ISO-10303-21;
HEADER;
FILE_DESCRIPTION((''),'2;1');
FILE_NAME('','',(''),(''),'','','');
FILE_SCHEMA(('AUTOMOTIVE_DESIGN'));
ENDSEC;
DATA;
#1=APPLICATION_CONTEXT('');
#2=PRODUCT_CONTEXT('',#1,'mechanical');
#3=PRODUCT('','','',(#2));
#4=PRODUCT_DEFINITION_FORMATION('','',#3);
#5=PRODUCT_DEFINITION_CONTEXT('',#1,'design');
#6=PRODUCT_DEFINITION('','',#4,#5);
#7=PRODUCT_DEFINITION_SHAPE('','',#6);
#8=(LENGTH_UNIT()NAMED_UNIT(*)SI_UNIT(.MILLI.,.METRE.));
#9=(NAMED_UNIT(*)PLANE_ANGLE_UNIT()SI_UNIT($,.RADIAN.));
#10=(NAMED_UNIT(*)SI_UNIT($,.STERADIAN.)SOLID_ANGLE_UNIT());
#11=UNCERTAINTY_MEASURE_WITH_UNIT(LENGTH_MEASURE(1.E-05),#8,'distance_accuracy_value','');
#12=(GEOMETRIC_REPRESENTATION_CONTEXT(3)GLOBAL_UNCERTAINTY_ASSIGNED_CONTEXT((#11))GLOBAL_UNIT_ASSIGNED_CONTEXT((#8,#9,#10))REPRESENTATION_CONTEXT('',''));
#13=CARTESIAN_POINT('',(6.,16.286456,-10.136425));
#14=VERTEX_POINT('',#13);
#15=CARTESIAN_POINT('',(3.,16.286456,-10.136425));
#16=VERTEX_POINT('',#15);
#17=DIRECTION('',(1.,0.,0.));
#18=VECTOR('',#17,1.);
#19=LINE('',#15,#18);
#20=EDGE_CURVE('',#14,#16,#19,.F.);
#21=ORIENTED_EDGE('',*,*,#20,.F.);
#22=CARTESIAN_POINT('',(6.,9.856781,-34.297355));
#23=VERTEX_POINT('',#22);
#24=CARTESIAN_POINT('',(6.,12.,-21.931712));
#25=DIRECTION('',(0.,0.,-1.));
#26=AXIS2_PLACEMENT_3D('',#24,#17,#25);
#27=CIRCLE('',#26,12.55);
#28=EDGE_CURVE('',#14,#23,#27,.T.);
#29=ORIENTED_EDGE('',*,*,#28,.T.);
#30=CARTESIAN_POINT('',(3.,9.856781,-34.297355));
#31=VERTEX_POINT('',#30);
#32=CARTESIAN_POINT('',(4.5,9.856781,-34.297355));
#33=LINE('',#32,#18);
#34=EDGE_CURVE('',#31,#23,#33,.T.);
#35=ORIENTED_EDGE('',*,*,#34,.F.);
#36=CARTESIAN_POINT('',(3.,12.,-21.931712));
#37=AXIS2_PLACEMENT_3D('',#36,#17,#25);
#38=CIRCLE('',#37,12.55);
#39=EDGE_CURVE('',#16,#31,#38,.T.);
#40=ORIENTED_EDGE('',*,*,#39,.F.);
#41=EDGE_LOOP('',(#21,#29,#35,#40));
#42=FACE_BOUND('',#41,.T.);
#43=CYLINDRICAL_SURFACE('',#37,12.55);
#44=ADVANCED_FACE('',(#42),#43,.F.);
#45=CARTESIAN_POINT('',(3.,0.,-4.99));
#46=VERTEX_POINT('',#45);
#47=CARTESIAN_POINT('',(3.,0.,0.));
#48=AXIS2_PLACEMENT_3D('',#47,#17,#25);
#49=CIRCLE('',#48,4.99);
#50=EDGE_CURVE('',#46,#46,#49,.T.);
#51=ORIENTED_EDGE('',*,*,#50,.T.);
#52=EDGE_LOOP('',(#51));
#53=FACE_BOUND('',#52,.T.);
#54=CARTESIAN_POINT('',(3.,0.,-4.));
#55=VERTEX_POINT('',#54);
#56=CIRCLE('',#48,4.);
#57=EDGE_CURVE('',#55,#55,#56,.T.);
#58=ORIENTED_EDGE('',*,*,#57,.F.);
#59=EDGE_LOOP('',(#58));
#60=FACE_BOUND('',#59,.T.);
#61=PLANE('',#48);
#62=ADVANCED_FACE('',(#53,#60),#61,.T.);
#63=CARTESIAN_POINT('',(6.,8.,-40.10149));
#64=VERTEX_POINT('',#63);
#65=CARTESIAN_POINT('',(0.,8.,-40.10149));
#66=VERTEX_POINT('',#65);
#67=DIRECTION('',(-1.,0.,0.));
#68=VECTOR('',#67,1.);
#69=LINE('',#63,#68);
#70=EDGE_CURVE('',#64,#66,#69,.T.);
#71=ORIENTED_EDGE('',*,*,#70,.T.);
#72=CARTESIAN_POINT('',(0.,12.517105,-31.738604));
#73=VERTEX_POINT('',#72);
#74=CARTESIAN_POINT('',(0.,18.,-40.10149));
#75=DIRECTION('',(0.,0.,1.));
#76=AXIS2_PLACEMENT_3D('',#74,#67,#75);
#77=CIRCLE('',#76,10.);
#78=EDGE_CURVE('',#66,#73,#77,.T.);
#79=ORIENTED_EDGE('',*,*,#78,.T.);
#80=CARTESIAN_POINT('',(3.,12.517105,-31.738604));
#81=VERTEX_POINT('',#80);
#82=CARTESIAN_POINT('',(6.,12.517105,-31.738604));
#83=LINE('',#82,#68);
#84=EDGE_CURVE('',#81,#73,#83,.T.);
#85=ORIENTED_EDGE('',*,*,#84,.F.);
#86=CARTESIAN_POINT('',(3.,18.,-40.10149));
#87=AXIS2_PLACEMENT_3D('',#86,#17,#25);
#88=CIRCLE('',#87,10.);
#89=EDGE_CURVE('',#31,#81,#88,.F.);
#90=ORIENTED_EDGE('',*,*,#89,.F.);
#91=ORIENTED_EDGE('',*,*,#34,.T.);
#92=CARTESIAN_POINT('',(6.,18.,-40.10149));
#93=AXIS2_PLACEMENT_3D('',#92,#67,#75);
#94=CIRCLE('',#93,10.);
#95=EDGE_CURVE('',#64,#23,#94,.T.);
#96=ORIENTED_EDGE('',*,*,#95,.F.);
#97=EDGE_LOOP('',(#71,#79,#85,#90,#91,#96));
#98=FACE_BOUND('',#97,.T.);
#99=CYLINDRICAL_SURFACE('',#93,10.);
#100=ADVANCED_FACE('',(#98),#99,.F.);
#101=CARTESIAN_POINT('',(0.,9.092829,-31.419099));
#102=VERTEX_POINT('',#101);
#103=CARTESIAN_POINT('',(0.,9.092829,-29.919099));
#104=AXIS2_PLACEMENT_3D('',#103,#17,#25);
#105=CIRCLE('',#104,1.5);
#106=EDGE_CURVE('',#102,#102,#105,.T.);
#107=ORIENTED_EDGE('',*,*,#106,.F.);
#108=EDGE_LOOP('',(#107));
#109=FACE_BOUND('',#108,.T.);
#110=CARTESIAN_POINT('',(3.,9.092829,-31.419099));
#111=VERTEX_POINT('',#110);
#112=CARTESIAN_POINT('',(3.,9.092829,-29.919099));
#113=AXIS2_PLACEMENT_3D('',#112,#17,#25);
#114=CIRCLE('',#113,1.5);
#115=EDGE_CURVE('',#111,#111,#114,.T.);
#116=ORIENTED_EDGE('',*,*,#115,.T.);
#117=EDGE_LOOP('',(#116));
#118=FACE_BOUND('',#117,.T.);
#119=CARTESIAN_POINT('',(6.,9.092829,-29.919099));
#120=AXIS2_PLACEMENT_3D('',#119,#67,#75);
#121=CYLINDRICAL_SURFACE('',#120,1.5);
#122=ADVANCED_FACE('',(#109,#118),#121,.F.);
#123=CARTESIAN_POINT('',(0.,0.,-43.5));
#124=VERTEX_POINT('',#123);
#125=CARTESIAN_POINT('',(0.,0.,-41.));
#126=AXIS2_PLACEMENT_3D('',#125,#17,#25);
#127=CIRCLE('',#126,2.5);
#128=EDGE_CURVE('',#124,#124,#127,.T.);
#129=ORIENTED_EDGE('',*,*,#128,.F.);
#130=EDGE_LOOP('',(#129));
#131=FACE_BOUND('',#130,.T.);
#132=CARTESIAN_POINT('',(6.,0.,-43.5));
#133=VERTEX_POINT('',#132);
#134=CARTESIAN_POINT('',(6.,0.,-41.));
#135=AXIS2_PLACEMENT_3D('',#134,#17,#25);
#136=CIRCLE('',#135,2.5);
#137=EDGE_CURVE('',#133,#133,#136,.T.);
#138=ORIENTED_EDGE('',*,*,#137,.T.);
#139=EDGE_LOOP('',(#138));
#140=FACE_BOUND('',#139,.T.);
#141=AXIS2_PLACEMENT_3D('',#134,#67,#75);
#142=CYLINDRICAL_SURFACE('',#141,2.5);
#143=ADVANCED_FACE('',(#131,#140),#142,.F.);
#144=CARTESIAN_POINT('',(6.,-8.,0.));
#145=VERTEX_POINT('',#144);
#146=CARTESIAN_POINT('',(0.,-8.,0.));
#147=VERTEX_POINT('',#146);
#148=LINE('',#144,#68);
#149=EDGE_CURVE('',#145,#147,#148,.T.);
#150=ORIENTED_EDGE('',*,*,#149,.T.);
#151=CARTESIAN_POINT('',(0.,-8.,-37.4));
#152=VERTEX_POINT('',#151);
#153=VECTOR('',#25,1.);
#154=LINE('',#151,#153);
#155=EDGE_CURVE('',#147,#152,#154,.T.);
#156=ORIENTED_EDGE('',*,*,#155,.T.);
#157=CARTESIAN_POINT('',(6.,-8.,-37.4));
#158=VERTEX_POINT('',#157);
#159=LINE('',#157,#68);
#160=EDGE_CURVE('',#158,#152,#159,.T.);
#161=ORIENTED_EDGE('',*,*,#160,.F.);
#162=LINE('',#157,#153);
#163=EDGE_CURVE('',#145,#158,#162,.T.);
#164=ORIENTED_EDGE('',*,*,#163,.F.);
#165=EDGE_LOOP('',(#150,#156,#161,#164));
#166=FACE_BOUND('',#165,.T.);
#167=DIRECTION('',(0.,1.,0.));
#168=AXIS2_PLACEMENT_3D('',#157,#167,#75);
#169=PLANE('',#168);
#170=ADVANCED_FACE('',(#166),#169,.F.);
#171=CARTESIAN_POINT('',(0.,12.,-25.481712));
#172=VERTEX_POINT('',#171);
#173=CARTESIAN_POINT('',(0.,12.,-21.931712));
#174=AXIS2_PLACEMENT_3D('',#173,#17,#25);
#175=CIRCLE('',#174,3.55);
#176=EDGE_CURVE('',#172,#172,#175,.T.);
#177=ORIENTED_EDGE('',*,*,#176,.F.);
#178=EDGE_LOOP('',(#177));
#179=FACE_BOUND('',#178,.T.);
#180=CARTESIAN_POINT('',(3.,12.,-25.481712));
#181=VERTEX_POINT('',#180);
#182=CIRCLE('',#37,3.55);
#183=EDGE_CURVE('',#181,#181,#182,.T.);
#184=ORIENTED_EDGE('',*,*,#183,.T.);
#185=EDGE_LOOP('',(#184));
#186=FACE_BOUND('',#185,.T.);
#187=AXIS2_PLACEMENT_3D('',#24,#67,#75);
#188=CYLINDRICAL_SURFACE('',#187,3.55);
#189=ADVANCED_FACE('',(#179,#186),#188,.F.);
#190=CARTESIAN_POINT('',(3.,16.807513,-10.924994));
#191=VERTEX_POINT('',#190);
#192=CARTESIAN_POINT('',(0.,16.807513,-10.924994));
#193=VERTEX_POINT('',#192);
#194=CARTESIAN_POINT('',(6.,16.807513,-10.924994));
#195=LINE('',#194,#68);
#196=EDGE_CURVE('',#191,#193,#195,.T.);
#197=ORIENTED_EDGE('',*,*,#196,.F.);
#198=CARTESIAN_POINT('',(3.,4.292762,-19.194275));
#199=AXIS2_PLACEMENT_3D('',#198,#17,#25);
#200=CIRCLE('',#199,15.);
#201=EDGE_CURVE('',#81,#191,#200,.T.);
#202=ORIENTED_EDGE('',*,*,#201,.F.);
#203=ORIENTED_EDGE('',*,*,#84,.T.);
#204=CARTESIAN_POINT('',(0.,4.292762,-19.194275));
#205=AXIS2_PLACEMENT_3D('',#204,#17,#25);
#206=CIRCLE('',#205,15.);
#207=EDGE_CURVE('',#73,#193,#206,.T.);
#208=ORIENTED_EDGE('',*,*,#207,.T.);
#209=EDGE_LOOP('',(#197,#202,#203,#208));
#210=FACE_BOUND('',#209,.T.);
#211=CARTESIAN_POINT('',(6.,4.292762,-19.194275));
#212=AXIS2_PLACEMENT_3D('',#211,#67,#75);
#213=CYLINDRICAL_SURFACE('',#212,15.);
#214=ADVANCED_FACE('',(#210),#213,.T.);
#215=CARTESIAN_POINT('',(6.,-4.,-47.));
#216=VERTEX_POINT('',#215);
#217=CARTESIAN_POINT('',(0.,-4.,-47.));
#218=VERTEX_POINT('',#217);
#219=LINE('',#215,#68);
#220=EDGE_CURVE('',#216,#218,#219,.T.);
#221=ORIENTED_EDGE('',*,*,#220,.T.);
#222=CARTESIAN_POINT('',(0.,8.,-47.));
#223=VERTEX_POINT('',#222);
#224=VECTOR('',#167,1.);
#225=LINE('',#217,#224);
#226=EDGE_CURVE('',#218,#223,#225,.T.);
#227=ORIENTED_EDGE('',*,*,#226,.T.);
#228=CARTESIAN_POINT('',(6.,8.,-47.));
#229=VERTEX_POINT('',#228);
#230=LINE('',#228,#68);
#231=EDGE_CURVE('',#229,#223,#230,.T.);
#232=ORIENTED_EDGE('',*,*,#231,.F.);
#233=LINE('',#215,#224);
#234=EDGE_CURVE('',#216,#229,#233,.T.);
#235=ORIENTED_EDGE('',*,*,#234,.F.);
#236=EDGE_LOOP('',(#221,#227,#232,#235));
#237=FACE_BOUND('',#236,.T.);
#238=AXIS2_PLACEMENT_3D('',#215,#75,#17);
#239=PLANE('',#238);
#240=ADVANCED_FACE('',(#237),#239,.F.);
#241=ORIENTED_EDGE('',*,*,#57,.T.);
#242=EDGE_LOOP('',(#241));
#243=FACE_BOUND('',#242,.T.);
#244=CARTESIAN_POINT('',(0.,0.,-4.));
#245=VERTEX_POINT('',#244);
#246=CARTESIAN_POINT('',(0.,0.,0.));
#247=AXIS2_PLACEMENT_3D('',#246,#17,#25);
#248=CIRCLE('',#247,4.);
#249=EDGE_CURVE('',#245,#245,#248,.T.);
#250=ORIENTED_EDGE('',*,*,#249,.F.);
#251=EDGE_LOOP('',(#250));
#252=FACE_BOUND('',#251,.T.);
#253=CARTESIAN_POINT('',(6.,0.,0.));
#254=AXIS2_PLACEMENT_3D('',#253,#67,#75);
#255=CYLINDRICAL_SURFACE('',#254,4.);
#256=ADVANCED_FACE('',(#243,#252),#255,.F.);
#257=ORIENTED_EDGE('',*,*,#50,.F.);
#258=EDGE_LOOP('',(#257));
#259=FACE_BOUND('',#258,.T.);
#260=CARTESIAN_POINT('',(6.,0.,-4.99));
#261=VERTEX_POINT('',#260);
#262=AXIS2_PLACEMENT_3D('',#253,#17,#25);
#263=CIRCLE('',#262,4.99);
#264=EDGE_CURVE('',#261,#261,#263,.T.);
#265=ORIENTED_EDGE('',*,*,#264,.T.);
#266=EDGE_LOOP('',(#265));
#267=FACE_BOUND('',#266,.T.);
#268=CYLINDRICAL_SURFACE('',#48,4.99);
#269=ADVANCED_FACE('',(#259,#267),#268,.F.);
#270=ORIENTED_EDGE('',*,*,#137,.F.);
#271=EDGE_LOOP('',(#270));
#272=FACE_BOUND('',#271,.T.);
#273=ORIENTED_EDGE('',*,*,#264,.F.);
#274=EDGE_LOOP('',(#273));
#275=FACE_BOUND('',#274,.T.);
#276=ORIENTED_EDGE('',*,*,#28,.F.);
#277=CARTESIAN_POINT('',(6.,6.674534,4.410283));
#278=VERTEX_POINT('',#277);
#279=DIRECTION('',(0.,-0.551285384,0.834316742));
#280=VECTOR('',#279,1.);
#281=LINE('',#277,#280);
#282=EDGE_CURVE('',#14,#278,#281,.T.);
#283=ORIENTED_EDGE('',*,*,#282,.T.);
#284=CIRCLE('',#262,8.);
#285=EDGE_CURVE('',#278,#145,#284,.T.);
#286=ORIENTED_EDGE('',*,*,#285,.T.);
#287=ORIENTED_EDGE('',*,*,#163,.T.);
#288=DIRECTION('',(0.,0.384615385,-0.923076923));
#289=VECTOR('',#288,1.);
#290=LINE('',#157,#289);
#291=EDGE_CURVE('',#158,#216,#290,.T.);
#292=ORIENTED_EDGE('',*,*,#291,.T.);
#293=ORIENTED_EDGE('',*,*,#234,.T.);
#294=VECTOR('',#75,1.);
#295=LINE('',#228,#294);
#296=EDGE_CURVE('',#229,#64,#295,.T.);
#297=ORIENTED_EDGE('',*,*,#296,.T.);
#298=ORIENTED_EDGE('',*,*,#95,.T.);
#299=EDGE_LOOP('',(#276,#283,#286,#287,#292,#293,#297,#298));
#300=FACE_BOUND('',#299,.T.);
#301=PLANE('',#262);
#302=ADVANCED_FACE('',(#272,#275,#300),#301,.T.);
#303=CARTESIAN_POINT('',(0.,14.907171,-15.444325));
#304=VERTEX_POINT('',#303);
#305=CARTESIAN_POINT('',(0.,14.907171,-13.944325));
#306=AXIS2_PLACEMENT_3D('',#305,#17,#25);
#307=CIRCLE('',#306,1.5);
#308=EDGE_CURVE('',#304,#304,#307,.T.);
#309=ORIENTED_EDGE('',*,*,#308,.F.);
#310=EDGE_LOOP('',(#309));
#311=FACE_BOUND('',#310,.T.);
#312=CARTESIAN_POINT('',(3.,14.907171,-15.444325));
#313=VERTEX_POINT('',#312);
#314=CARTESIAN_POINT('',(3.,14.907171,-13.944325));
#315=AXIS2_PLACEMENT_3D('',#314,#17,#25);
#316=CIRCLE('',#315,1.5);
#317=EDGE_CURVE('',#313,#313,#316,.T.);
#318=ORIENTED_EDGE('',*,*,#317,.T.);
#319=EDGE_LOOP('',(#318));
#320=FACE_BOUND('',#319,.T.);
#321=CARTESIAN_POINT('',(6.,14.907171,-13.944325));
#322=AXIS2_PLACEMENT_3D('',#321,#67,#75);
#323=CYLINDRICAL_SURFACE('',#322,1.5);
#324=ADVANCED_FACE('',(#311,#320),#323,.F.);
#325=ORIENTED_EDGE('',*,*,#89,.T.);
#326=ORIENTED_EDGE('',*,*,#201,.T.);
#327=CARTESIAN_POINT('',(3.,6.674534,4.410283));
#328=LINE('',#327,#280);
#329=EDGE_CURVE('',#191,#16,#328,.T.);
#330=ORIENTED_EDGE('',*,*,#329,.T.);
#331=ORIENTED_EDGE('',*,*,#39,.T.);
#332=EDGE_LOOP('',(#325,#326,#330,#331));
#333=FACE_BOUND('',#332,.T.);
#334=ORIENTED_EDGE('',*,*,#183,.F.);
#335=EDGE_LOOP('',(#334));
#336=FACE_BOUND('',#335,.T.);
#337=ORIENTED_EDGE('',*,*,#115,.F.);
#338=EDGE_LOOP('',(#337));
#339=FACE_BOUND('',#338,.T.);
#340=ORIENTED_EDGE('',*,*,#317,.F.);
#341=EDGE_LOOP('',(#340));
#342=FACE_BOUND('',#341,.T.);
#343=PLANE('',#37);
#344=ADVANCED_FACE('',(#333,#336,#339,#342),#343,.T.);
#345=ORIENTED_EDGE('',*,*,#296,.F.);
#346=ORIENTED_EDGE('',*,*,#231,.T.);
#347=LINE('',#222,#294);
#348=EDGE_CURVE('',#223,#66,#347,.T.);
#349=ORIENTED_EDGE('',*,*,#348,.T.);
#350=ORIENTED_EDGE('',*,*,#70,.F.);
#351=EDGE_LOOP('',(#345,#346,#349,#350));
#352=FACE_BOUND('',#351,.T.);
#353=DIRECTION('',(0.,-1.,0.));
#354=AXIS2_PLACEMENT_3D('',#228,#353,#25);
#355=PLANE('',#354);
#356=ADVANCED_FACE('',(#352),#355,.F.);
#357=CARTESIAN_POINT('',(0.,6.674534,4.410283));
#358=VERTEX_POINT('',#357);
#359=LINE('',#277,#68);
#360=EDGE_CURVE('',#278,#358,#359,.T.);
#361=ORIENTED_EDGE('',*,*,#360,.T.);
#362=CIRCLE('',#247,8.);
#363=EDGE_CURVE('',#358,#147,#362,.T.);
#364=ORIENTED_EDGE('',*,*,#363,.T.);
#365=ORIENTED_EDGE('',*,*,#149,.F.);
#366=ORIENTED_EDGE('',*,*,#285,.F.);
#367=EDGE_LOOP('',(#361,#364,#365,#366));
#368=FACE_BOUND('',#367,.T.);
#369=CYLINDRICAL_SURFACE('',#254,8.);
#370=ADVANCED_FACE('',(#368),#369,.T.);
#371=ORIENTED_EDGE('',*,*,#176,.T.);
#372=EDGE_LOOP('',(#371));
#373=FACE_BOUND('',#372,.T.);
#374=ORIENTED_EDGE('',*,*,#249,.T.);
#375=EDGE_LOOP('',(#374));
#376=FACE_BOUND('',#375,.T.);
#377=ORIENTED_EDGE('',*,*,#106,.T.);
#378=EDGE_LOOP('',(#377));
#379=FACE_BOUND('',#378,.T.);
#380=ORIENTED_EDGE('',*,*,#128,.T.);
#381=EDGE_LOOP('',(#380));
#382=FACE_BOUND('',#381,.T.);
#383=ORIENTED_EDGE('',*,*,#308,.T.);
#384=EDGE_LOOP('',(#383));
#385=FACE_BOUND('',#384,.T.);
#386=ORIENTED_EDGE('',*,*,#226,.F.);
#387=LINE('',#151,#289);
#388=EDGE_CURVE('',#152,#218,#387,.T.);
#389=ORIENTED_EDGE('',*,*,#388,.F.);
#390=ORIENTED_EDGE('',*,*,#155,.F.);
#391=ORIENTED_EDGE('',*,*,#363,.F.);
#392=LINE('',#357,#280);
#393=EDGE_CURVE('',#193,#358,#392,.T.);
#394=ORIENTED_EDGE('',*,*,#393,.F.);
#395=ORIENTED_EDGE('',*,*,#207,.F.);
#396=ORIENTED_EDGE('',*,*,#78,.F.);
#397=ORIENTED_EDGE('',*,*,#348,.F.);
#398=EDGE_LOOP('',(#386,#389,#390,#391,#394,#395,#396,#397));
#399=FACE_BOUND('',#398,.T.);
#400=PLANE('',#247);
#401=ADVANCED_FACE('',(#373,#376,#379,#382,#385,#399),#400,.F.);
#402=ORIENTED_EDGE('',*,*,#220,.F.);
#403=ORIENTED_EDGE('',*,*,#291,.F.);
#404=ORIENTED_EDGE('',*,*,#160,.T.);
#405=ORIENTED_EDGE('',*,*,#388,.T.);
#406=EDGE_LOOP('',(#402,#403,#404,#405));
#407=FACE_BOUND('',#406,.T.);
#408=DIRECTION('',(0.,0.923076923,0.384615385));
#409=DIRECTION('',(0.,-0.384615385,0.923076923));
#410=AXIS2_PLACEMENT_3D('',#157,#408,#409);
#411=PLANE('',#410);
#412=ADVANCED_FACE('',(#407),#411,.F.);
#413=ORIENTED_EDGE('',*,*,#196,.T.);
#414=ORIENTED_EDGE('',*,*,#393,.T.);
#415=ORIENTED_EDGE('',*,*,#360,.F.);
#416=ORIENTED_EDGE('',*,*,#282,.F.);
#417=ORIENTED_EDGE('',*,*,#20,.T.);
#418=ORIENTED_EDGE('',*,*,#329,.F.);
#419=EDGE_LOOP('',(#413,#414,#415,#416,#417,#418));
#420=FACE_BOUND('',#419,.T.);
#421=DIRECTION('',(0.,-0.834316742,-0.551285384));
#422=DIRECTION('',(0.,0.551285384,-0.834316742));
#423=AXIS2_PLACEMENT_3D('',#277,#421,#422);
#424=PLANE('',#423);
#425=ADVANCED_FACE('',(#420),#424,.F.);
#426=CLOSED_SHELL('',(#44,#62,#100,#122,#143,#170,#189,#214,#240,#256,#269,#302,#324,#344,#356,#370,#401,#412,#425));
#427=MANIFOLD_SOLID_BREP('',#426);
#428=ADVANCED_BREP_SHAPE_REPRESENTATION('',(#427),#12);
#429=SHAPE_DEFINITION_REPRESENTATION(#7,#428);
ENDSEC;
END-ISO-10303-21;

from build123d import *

# Parameters (mm, degrees)
SKETCH1_R           = 3.55
SKETCH1_R_2         = 4
SKETCH1_R_3         = 2.5
SKETCH1_R_4         = 1.5
BOSS_EXTRUDE1_DEPTH = 6
SKETCH2_R           = 4.99
CUT_EXTRUDE1_DEPTH  = 3
SKETCH3_R           = 12.55
CUT_EXTRUDE2_DEPTH  = 3


with BuildPart() as part:
    # Sketch1 → Boss-Extrude1 (new body)
    with BuildSketch(Plane(origin=(0, 0, 0), x_dir=(0, 0, -1), z_dir=(1, 0, 0))):
        with BuildLine():
            Line((-4.410283071, 6.674533934), (10.924994259, 16.807513206))
            ThreePointArc((10.924994259, 16.807513206), (22.222626062, 18.983884909), (31.738603868, 12.517104832))
            ThreePointArc((31.738603868, 12.517104832), (35.34906679, 9.201450356), (40.101489768, 8))
            Line((40.101489768, 8), (47, 8))
            Line((47, 8), (47, -4))
            Line((47, -4), (37.4, -8))
            Line((37.4, -8), (0, -8))
            ThreePointArc((0, -8), (-7.66147086, -2.302577744), (-4.410283071, 6.674533934))
        make_face()
        with Locations((21.931712199, 12)):
            Circle(SKETCH1_R, mode=Mode.SUBTRACT)
        Circle(SKETCH1_R_2, mode=Mode.SUBTRACT)
        with Locations((41, 0)):
            Circle(SKETCH1_R_3, mode=Mode.SUBTRACT)
        with Locations((29.919099476, 9.092828782)):
            Circle(SKETCH1_R_4, mode=Mode.SUBTRACT)
        with Locations((13.944324923, 14.907171218)):
            Circle(SKETCH1_R_4, mode=Mode.SUBTRACT)
    extrude(amount=BOSS_EXTRUDE1_DEPTH)

    # Sketch2 → Cut-Extrude1 (cut)
    with BuildSketch(Plane(origin=(6, 0, 0), x_dir=(0, 0, -1), z_dir=(1, 0, 0))):
        Circle(SKETCH2_R)
    extrude(amount=-CUT_EXTRUDE1_DEPTH, mode=Mode.SUBTRACT)

    # Sketch3 → Cut-Extrude2 (cut)
    with BuildSketch(Plane(origin=(6, 0, 0), x_dir=(0, 0, -1), z_dir=(1, 0, 0))):
        with Locations((21.931712199, 12)):
            Circle(SKETCH3_R)
    extrude(amount=-CUT_EXTRUDE2_DEPTH, mode=Mode.SUBTRACT)


solid = part.part
